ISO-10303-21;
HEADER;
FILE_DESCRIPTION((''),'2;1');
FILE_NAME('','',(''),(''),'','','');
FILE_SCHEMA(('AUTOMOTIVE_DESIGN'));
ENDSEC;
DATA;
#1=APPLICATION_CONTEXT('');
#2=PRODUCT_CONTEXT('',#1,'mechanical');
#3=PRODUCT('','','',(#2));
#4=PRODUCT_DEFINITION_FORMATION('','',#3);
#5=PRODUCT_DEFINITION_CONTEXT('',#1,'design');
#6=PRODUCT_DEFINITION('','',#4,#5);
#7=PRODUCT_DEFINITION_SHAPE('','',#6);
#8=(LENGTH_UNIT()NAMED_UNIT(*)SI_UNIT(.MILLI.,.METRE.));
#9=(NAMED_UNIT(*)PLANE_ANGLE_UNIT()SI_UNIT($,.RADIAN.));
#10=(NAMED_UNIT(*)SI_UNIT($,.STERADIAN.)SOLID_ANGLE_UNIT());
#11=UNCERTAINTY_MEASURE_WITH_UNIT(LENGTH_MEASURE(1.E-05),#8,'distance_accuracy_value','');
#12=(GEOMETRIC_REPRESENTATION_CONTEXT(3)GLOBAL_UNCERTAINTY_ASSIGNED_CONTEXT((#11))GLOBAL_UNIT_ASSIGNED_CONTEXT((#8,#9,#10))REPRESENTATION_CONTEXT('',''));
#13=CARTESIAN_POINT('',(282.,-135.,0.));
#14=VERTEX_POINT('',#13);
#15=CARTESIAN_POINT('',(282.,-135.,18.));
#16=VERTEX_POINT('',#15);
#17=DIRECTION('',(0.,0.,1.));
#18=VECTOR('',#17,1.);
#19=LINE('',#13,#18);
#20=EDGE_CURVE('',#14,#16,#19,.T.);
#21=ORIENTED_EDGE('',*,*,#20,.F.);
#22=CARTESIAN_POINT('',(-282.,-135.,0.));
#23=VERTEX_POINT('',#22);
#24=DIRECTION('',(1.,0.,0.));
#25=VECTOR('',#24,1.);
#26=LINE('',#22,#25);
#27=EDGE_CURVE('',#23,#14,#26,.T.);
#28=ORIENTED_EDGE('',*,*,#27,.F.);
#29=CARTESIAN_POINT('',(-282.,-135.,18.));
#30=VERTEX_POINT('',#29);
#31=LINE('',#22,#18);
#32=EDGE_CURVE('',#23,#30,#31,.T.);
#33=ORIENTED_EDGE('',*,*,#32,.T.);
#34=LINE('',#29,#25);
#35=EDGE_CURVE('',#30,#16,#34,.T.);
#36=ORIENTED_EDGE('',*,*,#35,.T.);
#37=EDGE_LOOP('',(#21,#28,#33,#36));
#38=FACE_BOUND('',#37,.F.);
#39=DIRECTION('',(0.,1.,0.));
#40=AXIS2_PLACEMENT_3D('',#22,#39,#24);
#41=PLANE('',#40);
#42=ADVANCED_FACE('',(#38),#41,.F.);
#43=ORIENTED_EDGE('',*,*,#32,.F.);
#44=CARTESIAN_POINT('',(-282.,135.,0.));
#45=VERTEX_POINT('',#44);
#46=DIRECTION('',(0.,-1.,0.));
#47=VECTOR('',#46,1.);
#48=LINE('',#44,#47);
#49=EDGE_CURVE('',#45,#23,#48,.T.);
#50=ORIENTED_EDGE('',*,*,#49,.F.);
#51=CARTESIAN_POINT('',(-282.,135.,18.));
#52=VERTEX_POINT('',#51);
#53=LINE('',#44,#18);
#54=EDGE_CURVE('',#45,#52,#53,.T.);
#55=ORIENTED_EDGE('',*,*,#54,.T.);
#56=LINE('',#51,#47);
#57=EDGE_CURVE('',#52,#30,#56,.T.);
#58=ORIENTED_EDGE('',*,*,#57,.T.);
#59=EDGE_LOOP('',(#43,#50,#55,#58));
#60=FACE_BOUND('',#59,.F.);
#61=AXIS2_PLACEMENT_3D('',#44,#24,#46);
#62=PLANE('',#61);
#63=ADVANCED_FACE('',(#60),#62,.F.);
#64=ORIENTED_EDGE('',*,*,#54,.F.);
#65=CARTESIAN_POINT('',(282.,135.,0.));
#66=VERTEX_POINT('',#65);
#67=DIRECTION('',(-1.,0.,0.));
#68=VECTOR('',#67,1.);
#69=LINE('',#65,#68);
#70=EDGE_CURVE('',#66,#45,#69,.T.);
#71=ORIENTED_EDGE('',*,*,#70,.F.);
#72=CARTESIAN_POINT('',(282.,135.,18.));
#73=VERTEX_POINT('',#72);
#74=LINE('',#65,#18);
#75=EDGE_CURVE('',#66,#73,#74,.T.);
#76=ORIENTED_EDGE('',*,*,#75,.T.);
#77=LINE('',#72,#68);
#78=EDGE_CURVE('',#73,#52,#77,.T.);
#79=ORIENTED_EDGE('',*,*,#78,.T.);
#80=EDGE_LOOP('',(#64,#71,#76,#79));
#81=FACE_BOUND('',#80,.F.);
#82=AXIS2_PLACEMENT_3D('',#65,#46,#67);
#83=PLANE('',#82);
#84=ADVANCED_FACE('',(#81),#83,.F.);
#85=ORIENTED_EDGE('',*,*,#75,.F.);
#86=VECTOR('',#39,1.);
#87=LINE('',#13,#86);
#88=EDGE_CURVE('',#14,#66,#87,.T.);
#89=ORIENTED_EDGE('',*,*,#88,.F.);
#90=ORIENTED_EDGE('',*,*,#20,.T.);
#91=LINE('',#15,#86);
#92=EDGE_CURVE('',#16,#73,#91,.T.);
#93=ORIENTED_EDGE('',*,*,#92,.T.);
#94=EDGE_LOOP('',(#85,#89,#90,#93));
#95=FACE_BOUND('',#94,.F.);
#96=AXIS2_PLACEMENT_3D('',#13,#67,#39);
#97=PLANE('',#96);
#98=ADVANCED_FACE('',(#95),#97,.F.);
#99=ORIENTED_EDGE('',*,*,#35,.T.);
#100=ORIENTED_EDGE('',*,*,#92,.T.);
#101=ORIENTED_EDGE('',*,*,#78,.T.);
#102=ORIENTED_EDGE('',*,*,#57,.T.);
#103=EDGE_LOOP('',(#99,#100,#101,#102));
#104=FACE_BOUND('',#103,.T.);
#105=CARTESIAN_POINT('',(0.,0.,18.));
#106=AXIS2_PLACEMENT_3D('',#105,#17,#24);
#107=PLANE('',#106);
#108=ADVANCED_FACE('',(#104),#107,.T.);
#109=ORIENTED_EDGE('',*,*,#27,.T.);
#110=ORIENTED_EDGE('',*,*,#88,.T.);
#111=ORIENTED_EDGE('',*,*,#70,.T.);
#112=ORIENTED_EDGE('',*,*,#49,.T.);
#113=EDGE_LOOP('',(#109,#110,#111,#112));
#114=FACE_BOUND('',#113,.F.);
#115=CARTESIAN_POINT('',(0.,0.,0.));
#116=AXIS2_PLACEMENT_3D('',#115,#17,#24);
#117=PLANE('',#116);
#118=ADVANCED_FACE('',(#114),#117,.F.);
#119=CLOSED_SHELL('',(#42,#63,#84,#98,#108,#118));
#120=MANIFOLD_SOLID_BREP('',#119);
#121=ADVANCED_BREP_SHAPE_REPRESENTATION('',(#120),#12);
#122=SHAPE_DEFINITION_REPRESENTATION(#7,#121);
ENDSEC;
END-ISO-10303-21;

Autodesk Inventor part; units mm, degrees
ref_plane "YZ Plane" through (0, 0, 0) normal (1, 0, 0) x (0, 1, 0)
ref_plane "XZ Plane" through (0, 0, 0) normal (0, 1, 0) x (-1, 0, 0)
ref_plane "XY Plane" through (0, 0, 0) normal (0, 0, 1) x (1, 0, 0)
sketch "Sketch1" plane through (0, 0, 0) normal (0, 0, 1) x (1, 0, 0)
  line L0 (-282, -135) -> (282, -135)
  line L1 (282, -135) -> (282, 135)
  line L2 (282, 135) -> (-282, 135)
  line L3 (-282, 135) -> (-282, -135)
  line L4 (-282, -135) -> (282, 135) construction
  line L5 (282, -135) -> (-282, 135) construction
  point P0 (0, 0)
  dimension "d0" = 564
  dimension "d1" = 270
extrude "Extrusion1" add sketch "Sketch1" along normal blind 18
properties part number "polka-tyl"
